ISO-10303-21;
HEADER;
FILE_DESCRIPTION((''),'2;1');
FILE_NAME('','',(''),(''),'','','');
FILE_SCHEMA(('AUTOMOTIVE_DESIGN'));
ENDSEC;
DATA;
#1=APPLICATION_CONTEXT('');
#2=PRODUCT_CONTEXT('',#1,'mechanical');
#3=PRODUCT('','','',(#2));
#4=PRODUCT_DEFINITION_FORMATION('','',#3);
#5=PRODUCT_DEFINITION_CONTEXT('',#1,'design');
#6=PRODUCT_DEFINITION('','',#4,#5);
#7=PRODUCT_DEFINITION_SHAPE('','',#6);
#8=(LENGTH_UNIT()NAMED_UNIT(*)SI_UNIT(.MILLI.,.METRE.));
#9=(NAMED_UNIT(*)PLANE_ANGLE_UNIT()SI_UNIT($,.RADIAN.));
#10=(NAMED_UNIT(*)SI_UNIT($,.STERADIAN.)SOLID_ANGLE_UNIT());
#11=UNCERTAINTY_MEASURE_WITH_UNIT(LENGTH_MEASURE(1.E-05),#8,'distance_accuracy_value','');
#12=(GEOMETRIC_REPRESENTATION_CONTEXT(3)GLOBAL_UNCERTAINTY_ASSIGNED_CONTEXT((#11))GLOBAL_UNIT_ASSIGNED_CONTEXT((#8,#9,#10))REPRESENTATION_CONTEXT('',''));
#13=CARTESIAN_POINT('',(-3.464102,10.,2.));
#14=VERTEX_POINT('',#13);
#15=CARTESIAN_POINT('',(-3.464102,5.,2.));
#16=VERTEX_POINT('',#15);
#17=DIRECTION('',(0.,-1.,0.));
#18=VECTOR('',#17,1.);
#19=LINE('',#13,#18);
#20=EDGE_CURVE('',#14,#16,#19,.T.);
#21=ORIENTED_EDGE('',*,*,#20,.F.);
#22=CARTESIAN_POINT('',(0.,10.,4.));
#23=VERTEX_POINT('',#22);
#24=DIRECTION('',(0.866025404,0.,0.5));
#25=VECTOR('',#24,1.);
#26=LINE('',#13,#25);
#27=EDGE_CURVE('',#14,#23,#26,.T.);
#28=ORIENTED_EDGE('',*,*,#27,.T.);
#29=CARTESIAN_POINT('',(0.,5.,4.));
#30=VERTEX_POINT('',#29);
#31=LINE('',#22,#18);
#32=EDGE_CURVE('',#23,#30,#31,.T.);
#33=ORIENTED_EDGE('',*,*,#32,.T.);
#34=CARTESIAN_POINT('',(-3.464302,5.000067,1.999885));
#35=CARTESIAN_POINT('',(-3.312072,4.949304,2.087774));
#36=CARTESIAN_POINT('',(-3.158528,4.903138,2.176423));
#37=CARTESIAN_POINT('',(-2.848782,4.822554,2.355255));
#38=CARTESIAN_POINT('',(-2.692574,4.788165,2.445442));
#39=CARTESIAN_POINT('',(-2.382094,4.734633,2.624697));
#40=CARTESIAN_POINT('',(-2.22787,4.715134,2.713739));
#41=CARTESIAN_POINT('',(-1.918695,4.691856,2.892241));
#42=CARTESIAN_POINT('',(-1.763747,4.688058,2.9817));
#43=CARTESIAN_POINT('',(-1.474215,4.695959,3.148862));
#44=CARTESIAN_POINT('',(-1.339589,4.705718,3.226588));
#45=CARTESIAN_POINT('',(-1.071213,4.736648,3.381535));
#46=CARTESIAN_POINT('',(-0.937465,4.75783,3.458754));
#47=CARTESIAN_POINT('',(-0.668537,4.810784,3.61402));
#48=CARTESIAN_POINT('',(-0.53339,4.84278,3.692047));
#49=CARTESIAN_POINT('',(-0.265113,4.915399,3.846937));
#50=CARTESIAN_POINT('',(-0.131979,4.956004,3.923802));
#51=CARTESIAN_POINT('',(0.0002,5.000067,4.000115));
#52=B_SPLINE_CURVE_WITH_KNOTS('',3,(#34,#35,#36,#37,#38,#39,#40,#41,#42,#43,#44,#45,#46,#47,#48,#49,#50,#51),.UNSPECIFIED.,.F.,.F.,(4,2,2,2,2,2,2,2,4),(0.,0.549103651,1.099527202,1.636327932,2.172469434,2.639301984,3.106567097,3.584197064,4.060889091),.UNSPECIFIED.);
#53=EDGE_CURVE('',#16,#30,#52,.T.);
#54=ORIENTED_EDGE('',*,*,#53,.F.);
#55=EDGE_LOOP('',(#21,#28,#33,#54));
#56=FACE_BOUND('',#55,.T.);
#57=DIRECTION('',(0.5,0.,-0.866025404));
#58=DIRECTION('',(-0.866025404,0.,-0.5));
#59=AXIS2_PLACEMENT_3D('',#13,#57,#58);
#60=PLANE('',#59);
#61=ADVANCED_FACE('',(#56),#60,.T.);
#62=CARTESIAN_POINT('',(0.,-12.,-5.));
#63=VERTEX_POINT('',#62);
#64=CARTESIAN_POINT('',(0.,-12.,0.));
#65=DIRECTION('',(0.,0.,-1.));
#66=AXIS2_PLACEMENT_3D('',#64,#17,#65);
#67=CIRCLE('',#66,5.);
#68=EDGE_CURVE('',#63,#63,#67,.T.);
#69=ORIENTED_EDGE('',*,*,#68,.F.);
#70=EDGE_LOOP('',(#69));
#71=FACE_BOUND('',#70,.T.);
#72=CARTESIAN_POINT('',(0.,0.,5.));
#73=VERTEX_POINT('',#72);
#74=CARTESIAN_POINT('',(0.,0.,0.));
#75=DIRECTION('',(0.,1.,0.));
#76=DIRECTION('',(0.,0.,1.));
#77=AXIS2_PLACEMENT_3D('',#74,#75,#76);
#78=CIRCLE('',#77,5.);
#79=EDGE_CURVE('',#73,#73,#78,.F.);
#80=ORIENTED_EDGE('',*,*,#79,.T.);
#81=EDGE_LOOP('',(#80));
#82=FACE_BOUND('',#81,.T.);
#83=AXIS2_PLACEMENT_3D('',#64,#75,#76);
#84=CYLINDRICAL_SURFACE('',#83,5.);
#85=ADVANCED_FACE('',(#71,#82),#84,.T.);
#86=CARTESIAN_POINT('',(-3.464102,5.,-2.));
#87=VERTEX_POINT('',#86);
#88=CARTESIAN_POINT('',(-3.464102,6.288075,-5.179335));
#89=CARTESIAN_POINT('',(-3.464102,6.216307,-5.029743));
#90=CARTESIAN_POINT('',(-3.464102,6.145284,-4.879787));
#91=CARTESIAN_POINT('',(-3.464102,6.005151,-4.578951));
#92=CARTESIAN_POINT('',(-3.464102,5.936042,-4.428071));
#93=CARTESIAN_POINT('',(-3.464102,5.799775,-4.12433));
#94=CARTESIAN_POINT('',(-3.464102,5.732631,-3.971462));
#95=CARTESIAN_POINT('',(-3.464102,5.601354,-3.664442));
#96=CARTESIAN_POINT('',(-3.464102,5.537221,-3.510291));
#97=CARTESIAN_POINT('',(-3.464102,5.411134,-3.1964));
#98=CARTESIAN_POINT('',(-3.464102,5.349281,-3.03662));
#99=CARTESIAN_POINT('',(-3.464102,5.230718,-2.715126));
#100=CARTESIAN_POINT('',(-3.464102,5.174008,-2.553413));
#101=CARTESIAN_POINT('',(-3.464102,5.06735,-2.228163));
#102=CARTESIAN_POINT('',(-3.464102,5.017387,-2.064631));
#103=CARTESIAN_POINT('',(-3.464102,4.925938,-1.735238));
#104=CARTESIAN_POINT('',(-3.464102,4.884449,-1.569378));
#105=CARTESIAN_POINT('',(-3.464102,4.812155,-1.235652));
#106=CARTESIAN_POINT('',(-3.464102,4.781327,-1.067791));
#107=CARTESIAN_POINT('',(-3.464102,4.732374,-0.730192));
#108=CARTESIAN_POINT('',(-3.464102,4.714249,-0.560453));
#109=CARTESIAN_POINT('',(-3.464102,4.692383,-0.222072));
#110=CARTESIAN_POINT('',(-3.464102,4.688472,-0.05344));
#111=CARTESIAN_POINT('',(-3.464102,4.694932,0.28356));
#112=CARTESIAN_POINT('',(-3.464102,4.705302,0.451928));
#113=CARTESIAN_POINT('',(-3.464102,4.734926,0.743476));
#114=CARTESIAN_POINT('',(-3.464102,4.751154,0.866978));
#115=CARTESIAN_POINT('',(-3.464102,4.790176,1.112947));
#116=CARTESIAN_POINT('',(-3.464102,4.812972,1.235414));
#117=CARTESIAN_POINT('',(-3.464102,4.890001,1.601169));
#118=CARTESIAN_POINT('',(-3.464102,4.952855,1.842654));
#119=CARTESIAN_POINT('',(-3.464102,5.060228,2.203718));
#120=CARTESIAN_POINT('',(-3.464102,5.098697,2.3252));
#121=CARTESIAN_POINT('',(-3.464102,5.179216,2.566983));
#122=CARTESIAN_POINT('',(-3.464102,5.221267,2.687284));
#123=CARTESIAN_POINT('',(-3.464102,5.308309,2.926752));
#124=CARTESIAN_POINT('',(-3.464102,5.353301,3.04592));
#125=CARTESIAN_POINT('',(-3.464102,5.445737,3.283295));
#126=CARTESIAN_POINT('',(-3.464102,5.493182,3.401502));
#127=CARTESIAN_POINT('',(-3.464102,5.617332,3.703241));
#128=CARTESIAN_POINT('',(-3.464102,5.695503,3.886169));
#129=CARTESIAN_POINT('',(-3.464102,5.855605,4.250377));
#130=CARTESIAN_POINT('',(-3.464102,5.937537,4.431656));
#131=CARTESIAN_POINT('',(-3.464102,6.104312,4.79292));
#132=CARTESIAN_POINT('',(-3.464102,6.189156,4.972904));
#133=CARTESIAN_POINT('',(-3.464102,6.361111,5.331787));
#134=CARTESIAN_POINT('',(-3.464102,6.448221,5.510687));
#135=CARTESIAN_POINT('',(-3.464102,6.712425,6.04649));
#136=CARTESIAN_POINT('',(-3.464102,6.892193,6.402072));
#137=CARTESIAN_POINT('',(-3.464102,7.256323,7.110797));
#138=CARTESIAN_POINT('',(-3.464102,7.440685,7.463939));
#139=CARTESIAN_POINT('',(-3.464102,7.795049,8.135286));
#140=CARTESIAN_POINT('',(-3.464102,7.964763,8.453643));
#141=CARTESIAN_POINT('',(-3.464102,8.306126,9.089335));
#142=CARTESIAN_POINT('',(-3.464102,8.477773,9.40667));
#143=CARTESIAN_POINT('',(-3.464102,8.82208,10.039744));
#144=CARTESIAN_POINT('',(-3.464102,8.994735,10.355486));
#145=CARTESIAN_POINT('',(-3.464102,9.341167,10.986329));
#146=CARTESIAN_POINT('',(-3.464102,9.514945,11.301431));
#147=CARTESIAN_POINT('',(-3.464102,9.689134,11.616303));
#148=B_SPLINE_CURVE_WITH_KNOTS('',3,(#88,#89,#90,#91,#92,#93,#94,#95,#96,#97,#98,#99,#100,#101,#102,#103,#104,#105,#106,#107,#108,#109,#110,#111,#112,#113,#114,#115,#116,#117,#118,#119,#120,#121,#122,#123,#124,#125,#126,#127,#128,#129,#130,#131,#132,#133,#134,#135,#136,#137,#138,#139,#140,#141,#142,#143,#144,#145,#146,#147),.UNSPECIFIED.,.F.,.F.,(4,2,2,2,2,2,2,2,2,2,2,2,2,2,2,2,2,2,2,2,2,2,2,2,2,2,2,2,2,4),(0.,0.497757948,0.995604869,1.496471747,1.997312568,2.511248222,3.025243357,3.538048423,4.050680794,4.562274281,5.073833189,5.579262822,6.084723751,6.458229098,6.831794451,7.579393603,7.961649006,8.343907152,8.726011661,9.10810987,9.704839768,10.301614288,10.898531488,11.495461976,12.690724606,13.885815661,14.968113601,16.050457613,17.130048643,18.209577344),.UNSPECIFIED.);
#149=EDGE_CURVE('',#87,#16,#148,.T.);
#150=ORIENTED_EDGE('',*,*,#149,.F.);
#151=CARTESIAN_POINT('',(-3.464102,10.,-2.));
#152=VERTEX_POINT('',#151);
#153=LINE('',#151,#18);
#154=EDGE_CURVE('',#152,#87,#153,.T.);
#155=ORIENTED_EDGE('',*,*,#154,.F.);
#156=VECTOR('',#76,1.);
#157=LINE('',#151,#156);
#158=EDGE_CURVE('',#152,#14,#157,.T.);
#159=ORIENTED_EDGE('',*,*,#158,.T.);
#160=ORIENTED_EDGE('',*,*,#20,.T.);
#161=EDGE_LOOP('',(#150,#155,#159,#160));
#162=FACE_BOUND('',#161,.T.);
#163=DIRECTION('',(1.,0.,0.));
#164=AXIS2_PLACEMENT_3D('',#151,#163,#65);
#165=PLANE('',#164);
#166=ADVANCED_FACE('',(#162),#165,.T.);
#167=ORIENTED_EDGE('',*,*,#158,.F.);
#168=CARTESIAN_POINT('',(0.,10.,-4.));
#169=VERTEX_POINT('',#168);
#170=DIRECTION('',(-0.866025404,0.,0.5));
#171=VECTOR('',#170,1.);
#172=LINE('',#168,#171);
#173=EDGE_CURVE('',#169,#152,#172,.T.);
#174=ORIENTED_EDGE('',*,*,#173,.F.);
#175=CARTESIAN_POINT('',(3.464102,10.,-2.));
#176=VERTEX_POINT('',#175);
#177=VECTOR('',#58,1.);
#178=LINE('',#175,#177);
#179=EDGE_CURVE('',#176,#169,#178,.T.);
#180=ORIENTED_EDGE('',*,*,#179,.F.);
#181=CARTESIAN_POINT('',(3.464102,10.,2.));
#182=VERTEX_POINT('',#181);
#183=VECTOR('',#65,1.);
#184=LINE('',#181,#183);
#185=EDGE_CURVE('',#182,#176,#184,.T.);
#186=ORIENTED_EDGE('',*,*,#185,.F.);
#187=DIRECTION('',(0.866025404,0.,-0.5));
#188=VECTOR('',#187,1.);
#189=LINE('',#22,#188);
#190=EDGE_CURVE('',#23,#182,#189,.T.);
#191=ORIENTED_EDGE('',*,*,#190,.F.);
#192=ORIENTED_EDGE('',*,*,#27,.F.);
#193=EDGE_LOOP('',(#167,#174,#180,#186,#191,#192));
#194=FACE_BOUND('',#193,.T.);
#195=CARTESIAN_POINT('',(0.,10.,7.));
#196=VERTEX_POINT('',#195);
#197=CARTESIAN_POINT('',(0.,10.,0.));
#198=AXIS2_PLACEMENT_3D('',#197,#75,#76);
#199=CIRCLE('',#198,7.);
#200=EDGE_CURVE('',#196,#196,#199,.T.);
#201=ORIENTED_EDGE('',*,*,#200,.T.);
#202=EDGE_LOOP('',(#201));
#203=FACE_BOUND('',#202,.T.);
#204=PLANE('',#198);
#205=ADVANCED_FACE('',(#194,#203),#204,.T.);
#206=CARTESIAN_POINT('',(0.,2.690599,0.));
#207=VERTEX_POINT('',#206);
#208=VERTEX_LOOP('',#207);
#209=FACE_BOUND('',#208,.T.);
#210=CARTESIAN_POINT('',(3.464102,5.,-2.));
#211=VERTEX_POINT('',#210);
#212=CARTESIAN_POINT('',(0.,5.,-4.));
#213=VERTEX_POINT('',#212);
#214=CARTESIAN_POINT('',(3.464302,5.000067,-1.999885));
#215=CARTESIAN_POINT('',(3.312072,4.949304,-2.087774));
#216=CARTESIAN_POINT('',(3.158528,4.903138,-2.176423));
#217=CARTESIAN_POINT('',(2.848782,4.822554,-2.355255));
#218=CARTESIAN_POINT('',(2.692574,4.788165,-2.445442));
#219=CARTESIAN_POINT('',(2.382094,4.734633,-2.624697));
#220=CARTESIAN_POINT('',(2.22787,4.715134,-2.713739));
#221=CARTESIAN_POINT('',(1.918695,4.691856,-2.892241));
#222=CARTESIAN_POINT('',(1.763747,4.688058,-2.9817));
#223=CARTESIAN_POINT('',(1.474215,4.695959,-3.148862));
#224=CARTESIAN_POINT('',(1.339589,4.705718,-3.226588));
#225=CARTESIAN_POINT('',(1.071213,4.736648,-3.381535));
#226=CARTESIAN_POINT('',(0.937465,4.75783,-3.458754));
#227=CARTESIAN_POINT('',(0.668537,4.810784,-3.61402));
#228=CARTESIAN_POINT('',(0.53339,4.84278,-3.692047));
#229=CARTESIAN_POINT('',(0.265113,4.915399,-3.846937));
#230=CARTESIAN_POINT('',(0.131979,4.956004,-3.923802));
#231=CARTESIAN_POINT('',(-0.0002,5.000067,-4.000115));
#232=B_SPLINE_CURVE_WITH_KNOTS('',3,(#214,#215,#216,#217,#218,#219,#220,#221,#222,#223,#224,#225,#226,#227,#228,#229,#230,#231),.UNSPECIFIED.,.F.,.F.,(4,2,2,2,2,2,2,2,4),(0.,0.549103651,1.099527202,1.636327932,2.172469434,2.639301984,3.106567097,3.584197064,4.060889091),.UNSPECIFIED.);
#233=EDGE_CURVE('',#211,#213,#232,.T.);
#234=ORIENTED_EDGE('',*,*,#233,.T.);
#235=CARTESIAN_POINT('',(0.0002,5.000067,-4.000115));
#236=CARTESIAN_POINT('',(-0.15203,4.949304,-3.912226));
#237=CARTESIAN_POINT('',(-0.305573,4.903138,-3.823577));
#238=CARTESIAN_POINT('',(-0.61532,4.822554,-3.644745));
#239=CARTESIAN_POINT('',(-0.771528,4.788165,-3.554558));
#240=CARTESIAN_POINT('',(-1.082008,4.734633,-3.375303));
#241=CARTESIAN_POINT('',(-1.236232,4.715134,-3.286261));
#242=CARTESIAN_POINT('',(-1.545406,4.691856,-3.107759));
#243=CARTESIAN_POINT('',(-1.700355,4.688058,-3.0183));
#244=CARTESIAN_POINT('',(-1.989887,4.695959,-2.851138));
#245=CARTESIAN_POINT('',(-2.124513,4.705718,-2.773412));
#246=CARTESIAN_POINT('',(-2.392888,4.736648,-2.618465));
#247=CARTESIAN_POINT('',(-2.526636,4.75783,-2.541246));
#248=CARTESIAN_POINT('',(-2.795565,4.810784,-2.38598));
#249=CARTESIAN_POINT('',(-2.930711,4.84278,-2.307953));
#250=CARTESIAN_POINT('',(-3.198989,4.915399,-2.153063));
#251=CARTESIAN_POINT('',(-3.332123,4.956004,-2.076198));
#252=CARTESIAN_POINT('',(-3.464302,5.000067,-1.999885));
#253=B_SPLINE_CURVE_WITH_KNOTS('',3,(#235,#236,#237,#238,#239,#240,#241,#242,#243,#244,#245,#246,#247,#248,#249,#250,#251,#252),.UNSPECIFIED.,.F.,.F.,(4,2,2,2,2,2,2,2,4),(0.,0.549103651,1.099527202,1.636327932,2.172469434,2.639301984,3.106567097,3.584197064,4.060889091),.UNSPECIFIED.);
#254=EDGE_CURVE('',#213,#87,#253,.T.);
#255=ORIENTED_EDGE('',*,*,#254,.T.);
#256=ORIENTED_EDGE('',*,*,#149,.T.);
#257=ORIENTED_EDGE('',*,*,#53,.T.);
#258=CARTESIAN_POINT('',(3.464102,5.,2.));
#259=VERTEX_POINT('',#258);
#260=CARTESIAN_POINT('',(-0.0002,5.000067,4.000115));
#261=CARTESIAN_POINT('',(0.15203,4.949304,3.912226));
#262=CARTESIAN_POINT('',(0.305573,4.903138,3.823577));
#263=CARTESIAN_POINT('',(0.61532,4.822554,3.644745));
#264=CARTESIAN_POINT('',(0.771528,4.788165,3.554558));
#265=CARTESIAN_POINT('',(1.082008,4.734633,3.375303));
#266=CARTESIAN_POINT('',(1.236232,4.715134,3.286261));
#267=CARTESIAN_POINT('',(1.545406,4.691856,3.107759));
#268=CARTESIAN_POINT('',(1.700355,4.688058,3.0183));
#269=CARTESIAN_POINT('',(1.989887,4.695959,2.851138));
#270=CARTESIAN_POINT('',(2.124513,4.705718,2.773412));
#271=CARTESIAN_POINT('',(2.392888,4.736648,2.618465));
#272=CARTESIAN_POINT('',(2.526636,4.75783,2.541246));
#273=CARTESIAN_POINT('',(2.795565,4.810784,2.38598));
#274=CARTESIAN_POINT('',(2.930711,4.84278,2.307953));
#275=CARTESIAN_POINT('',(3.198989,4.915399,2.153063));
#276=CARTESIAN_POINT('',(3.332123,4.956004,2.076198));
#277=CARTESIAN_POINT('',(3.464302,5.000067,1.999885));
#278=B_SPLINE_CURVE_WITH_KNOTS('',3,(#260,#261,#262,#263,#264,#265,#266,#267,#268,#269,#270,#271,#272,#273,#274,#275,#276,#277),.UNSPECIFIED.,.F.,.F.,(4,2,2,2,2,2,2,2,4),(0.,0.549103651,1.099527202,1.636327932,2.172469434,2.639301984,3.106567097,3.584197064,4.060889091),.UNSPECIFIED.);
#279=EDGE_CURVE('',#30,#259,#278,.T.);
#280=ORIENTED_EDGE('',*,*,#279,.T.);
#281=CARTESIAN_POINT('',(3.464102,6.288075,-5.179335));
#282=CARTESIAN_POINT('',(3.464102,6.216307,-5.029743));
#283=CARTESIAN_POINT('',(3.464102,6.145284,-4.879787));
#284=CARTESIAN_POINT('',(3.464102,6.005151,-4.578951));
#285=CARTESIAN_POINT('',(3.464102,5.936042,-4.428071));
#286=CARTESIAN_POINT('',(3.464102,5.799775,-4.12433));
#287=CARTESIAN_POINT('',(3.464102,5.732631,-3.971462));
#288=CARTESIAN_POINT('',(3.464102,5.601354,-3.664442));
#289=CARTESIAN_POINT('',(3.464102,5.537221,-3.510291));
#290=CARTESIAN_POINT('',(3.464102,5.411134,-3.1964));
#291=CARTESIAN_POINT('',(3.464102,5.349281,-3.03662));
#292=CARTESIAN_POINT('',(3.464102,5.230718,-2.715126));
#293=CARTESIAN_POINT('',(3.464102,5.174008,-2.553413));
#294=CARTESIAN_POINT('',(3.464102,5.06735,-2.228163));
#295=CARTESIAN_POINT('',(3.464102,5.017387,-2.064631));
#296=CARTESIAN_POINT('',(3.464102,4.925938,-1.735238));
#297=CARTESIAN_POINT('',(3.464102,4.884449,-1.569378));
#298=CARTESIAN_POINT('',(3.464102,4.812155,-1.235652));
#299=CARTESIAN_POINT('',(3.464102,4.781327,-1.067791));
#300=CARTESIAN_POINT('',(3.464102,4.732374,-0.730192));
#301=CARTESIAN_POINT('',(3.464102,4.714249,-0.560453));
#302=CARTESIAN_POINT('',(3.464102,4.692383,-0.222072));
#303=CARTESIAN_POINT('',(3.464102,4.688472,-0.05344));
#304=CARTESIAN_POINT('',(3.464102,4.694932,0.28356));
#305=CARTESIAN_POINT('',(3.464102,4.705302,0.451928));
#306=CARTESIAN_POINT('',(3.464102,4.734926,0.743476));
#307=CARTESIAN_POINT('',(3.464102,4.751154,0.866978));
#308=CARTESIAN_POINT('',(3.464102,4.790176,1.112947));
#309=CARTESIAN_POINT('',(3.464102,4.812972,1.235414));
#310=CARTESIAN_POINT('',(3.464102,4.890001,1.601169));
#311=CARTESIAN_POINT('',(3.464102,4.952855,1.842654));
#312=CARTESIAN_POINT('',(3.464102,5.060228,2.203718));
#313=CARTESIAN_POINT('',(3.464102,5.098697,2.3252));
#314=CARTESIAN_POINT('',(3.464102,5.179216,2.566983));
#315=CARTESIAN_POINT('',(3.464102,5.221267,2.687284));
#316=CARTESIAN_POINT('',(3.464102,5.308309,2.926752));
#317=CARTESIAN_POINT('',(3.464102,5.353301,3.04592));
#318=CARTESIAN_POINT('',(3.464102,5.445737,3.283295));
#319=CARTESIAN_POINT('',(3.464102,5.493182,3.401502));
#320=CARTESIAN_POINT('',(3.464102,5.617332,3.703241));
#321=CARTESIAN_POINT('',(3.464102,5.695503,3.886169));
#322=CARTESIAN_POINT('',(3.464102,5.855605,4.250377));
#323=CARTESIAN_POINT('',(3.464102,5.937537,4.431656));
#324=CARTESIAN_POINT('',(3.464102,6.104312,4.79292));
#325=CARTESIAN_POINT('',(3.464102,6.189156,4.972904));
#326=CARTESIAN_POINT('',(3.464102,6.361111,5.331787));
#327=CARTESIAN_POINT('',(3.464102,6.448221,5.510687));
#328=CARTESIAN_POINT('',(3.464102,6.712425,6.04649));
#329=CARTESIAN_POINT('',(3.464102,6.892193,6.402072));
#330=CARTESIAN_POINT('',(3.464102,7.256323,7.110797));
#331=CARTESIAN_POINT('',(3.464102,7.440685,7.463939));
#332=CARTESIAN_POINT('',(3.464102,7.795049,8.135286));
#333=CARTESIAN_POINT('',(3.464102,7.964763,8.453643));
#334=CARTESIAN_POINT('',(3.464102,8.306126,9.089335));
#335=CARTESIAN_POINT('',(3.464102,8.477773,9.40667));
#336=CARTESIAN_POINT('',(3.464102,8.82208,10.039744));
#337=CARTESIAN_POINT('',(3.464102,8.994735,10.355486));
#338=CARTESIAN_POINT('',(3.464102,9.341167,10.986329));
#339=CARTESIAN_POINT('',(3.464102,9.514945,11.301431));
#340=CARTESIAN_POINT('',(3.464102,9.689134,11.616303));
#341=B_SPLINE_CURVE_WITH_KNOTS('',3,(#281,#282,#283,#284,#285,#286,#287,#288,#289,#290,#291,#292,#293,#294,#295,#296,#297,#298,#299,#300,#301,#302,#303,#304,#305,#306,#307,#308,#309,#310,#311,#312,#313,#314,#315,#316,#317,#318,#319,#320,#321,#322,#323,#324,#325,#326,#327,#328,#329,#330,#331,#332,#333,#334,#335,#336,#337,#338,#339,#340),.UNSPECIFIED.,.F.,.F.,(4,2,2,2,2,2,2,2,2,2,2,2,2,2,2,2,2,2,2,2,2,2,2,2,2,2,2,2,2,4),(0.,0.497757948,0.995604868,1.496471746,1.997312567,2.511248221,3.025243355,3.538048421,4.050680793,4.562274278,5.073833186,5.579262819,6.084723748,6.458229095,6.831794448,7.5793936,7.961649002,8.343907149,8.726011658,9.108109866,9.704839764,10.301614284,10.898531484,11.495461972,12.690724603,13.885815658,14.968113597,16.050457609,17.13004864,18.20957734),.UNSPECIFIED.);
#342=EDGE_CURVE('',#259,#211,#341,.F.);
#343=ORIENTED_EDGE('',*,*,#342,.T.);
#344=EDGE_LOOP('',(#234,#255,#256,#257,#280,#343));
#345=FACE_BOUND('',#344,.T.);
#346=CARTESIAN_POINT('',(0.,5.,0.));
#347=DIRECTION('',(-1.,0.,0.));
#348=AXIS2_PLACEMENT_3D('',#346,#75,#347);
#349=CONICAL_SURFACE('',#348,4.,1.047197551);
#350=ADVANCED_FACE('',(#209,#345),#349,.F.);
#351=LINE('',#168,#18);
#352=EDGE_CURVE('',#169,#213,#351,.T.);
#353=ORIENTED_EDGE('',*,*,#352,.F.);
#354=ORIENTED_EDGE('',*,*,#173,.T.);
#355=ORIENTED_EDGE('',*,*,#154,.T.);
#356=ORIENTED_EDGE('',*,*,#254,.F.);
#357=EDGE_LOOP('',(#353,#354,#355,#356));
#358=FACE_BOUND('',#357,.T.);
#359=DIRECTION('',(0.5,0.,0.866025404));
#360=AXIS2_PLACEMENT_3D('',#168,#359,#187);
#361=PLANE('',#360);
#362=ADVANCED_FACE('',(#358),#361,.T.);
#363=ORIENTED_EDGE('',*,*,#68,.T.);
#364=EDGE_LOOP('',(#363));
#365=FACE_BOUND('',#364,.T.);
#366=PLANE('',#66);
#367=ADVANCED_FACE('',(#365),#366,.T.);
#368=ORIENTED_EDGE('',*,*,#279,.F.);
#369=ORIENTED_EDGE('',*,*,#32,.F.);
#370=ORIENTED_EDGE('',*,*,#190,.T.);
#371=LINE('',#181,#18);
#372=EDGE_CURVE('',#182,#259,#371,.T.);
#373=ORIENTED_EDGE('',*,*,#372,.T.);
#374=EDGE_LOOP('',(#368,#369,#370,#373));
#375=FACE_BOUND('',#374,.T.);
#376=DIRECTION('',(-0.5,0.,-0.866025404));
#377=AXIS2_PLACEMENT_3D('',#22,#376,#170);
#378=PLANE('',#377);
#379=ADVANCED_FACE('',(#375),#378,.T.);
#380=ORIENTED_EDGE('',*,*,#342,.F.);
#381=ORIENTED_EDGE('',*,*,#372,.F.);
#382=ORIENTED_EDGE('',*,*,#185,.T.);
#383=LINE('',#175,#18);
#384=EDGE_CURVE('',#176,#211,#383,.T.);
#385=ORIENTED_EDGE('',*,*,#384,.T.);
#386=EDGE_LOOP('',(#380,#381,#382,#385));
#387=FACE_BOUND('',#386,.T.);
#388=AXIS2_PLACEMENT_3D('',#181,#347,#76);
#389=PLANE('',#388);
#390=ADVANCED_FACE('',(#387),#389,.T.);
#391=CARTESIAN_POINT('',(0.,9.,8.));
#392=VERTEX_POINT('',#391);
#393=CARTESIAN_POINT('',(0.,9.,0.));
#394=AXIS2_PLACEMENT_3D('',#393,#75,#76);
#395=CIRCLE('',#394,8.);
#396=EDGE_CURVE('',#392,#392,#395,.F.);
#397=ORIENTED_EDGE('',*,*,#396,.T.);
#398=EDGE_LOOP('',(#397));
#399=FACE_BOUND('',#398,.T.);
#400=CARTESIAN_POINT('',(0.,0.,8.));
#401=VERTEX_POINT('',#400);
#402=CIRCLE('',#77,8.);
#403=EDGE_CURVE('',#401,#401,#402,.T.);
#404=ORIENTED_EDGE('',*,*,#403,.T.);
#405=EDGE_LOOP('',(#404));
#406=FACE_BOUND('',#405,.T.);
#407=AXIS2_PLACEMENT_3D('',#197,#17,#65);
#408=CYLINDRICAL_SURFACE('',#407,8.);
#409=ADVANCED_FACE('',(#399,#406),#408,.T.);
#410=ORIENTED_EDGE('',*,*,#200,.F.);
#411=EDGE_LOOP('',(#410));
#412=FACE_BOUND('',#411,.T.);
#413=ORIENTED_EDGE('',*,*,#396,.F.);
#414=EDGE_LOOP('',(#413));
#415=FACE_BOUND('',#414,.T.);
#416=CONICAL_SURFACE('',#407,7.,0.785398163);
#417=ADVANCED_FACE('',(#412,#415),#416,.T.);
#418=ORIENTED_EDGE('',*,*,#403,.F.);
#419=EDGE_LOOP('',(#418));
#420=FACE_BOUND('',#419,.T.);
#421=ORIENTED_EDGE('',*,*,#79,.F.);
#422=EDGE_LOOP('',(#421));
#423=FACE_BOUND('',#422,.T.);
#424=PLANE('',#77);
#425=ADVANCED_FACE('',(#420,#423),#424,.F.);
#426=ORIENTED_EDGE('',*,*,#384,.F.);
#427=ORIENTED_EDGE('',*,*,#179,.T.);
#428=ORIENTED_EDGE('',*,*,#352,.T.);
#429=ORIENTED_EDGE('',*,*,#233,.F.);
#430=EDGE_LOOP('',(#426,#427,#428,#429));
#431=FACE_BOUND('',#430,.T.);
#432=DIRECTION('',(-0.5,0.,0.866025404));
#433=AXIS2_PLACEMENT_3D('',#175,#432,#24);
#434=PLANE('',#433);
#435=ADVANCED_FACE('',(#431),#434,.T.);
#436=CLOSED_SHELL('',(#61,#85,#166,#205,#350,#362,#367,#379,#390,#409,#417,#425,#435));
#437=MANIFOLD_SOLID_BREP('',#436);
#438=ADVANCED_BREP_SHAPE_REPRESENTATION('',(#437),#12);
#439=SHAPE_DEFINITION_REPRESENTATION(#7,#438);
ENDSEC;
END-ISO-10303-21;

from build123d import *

# Parameters (mm, degrees)
CROQUIS4_R              = 8
SALIENTE_EXTRUIR3_DEPTH = 10
CHAFL_N2_SIZE           = 1
CROQUIS6_6_R            = 5
SALIENTE_EXTRUIR8_DEPTH = 12


with BuildPart() as part:
    # Croquis4 → Saliente-Extruir3 (new body)
    with BuildSketch(Plane(origin=(0, 0, 0), x_dir=(1, 0, 0), z_dir=(0, 1, 0))):
        Circle(CROQUIS4_R)
        Polygon((0, 4), (-3.464101615, 2), (-3.464101615, -2), (0, -4), (3.464101615, -2), (3.464101615, 2), align=None, mode=Mode.SUBTRACT)
    extrude(amount=SALIENTE_EXTRUIR3_DEPTH)

    # Chaflán2
    chafl_n2_edges = [part.edges().sort_by_distance(p)[0] for p in [
        (-8, 10, 0),
    ]]
    chamfer(chafl_n2_edges, length=CHAFL_N2_SIZE)

    # Croquis5 → Revolución2 (revolve)
    with BuildSketch(Plane.XY):
        Polygon((0, 0), (0, 2.690598923), (4, 5), (8, 5), (8, 0), align=None)
    revolve(axis=Axis((0, 0, 0), (0, 1, 0)))

    # Croquis6<6> → Saliente-Extruir8 (add)
    with BuildSketch(Plane.XZ):
        Circle(CROQUIS6_6_R)
    extrude(amount=SALIENTE_EXTRUIR8_DEPTH)


solid = part.part
